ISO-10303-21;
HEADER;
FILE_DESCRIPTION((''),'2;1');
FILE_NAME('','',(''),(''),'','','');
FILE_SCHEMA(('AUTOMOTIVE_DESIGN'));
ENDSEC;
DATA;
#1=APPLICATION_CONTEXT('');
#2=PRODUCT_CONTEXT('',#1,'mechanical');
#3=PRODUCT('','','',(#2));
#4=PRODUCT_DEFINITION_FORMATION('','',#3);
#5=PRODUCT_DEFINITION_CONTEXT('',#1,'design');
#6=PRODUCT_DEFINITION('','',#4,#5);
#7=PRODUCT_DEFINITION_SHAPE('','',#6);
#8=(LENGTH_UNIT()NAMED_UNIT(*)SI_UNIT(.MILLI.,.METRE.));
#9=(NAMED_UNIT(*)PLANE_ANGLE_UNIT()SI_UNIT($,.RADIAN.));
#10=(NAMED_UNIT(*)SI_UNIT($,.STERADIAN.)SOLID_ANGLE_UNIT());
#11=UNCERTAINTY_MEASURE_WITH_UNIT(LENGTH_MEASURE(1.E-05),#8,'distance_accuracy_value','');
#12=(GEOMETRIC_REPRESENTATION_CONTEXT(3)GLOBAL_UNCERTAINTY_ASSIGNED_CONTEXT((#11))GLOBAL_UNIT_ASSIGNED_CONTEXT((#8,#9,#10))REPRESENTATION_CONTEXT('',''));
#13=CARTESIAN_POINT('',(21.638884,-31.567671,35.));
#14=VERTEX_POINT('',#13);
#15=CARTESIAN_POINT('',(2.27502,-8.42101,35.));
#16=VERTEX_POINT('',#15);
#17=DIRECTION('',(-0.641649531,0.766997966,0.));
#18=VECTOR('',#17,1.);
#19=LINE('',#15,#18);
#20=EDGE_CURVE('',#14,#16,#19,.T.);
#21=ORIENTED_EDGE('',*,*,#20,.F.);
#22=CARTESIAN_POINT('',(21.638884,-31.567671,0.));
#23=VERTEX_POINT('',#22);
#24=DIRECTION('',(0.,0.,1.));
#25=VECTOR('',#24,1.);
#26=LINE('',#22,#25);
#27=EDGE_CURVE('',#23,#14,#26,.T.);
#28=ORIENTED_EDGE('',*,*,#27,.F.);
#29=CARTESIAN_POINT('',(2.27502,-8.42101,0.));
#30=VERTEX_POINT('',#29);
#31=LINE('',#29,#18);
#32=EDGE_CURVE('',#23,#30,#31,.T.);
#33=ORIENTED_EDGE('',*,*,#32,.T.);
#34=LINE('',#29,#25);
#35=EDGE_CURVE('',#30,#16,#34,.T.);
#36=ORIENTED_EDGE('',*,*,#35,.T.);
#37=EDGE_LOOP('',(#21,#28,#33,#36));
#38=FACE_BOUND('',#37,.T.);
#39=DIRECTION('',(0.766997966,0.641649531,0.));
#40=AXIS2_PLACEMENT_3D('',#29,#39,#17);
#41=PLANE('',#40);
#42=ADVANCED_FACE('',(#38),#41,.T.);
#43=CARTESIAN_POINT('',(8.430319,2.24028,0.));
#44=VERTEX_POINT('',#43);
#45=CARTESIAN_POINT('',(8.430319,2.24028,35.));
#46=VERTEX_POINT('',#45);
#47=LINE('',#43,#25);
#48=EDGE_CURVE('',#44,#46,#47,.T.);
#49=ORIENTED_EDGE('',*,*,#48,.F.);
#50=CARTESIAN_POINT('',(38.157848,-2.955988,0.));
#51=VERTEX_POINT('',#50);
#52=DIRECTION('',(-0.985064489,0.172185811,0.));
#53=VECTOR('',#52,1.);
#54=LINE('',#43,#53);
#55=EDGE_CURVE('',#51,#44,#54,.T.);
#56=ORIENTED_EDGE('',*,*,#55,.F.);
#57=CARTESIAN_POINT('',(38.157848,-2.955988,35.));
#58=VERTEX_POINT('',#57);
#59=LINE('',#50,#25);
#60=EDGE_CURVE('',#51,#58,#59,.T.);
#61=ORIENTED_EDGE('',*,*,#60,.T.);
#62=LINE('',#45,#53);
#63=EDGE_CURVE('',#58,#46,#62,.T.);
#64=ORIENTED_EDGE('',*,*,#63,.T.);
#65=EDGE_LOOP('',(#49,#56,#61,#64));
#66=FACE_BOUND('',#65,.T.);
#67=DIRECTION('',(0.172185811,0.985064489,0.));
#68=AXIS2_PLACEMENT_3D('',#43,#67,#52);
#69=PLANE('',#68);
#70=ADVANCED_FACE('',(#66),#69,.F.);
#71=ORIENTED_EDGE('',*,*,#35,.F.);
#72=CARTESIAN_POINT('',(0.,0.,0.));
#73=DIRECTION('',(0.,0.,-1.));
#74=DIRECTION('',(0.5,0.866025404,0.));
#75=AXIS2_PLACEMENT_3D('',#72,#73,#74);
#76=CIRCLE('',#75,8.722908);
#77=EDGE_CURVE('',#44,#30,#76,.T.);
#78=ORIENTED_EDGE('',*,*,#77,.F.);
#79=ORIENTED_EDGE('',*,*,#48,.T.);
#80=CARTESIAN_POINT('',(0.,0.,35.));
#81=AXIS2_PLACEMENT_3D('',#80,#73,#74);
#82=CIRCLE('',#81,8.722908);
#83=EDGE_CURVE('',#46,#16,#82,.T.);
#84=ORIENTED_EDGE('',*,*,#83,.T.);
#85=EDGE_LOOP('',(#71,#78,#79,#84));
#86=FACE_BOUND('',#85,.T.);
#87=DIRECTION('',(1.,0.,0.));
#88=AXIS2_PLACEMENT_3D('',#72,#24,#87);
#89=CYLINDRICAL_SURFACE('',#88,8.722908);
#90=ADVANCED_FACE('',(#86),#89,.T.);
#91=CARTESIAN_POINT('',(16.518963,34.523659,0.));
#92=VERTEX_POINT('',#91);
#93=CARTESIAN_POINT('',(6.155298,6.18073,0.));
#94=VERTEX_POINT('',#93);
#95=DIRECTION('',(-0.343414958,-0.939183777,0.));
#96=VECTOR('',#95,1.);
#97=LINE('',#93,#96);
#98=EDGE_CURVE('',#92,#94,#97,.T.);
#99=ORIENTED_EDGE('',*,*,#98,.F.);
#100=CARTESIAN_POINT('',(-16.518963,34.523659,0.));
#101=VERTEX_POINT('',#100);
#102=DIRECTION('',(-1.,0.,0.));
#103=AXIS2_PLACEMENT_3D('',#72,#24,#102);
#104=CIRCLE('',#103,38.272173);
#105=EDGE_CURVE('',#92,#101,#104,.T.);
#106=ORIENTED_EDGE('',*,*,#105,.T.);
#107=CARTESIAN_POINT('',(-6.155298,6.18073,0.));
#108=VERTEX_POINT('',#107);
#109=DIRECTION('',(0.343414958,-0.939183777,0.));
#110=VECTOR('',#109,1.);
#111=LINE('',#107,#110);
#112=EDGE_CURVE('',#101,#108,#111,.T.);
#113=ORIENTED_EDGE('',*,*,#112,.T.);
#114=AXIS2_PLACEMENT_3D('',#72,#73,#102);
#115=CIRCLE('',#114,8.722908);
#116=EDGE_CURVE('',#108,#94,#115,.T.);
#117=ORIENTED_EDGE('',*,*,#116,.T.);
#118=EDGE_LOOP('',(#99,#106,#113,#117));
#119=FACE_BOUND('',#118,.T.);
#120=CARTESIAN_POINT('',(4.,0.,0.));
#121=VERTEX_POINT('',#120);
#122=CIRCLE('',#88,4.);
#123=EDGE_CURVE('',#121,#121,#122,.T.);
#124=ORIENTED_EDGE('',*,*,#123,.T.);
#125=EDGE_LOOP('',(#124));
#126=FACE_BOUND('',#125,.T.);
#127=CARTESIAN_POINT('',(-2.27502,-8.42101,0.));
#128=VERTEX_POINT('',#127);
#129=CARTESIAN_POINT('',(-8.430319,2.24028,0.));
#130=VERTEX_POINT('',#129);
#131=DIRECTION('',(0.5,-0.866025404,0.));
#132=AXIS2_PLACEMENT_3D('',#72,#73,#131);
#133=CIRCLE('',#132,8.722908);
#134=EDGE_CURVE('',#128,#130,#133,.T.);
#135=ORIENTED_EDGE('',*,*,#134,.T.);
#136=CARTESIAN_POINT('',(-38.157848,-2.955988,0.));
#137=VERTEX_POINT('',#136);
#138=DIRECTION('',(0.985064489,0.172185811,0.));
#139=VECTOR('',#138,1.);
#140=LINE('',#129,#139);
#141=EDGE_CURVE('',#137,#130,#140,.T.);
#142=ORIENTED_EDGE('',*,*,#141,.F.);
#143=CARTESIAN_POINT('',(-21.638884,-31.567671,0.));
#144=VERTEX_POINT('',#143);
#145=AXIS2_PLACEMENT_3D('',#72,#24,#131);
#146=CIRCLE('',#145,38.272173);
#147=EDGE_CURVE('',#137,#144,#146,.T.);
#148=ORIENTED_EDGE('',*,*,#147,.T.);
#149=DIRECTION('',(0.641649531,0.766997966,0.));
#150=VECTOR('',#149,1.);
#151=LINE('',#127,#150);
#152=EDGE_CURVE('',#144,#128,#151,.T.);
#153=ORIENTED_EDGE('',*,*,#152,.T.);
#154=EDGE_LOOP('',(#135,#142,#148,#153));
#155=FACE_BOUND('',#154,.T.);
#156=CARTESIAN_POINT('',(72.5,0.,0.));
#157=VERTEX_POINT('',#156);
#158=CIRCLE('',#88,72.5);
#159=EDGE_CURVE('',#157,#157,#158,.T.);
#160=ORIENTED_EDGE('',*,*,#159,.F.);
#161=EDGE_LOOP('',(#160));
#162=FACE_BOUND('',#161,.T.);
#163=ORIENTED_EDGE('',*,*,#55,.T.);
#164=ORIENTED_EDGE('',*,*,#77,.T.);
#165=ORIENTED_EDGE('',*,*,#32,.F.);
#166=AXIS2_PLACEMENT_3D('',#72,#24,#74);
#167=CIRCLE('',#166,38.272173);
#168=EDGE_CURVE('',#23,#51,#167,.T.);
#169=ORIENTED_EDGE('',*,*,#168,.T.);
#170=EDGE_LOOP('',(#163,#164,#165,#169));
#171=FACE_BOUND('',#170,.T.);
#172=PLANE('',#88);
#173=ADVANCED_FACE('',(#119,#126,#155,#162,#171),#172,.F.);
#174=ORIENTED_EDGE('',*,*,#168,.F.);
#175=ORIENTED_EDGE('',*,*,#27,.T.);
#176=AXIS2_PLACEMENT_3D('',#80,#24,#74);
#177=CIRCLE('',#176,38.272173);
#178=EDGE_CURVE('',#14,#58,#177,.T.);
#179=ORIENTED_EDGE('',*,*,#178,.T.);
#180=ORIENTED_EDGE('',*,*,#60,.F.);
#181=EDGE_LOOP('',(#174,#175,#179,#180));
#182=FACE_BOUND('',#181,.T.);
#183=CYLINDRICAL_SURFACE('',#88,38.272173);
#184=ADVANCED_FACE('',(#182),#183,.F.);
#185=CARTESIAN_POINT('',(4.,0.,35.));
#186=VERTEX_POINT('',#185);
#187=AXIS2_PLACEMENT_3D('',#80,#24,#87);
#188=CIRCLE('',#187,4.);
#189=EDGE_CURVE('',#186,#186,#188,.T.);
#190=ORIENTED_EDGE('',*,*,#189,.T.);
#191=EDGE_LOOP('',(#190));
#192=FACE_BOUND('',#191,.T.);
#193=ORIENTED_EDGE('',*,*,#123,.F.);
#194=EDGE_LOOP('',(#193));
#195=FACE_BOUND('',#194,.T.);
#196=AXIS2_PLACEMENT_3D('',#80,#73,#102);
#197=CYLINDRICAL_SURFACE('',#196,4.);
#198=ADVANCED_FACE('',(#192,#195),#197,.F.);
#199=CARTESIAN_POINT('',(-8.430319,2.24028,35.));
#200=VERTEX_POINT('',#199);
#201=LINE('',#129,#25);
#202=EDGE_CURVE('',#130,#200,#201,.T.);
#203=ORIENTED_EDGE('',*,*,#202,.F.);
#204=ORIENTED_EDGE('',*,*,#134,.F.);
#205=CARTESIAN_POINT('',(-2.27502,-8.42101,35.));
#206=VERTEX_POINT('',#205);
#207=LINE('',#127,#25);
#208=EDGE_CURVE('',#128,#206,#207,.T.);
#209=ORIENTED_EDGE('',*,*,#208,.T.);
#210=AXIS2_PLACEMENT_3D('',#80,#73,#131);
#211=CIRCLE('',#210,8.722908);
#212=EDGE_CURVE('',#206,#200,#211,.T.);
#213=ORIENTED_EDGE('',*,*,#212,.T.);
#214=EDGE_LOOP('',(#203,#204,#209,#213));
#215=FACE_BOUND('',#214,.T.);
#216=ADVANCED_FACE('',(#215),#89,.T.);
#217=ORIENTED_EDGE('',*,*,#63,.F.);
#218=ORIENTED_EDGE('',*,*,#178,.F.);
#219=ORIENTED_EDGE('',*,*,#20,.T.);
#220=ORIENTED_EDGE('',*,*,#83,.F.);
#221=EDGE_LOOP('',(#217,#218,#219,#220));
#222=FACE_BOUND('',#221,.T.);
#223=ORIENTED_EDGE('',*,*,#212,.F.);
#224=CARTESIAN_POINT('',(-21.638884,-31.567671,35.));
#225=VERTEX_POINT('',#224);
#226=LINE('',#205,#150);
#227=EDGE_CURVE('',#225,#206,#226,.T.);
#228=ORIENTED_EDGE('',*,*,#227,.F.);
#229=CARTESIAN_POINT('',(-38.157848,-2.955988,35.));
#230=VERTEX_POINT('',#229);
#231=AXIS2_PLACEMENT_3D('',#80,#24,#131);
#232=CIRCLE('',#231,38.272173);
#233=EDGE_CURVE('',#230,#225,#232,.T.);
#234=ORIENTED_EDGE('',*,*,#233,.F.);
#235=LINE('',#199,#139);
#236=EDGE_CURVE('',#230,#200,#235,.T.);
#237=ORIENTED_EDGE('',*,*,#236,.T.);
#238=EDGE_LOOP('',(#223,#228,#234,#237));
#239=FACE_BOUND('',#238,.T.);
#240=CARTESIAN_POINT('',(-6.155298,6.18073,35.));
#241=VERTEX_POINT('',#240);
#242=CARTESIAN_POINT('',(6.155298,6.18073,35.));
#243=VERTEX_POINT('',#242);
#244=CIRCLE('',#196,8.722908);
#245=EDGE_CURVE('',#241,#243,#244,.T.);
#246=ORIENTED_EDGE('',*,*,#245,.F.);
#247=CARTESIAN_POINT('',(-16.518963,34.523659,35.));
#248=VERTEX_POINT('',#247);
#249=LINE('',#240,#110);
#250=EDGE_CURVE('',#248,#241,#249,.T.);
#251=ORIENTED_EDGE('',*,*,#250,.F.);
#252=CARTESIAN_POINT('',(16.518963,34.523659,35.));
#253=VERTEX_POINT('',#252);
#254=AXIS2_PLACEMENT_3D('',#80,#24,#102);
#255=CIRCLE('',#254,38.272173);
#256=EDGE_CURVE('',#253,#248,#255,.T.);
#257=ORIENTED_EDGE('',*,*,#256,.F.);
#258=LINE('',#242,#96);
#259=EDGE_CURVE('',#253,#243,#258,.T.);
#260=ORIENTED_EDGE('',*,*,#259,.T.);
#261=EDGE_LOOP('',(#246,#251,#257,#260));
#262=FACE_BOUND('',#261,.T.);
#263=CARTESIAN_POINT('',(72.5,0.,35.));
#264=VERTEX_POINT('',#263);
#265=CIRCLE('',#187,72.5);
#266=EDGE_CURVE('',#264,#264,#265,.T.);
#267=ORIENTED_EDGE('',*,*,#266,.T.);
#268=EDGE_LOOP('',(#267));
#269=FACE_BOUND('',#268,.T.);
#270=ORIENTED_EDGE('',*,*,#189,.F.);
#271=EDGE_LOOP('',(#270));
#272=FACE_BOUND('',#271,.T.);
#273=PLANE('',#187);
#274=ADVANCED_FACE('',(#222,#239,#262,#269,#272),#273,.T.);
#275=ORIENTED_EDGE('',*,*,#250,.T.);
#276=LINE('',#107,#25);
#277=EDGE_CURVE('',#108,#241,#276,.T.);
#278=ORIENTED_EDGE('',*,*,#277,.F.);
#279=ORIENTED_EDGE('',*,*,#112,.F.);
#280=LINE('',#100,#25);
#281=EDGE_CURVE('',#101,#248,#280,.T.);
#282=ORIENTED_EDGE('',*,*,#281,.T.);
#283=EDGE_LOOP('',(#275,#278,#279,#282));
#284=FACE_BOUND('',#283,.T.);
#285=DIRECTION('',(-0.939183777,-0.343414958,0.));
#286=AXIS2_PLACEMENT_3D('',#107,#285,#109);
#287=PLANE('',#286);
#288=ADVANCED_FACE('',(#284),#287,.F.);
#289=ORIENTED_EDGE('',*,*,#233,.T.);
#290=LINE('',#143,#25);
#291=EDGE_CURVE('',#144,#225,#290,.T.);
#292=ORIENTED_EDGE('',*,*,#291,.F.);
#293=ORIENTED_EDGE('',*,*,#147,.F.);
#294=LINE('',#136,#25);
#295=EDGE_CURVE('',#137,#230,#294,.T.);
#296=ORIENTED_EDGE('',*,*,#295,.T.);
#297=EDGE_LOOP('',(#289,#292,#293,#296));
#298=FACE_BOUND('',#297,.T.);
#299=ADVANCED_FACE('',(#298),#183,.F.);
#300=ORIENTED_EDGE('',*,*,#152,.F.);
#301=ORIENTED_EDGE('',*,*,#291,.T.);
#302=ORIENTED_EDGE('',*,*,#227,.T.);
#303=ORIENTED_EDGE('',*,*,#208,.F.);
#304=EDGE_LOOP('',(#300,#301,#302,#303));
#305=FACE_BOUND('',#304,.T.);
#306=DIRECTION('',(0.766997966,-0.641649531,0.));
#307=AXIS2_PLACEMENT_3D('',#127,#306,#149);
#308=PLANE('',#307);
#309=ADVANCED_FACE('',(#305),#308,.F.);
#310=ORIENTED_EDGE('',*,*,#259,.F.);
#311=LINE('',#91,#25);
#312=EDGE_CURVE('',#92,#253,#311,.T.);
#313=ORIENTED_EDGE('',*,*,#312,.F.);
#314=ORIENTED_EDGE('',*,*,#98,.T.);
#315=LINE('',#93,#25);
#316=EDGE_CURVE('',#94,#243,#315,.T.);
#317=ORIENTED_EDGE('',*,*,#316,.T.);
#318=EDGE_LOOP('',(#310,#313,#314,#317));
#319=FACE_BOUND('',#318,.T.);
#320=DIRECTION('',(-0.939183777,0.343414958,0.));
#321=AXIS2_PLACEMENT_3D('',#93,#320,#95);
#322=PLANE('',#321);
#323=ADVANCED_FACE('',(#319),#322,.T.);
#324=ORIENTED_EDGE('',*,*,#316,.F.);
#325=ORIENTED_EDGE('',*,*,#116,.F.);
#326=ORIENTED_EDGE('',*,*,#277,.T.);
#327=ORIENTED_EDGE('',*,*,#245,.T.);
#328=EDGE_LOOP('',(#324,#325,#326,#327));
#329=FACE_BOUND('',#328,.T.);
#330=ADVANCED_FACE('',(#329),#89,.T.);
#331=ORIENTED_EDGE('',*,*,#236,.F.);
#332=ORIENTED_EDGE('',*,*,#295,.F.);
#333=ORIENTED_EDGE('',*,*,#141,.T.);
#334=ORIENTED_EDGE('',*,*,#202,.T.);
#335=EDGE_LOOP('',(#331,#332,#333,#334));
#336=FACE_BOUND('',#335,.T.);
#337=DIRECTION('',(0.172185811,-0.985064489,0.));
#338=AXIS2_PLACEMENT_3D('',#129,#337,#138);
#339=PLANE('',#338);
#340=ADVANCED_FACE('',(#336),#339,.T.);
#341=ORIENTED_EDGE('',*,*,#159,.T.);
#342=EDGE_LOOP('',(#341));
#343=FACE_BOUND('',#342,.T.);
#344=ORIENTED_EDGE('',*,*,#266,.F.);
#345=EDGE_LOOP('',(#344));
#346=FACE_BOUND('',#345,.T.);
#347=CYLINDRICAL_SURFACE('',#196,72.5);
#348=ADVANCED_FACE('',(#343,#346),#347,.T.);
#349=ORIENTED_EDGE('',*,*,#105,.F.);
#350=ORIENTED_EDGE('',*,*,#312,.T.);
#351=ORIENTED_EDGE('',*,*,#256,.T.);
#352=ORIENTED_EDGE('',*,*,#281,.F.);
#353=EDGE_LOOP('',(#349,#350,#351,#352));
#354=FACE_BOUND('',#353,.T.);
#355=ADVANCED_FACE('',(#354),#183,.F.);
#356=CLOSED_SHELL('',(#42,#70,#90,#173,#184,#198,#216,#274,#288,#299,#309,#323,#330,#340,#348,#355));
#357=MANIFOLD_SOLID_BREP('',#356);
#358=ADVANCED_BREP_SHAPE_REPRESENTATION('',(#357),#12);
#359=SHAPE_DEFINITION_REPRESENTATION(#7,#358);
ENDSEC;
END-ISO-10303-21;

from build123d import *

# Parameters (mm, degrees)
SKETCH1_R            = 72.5
SKETCH1_R_2          = 4
BOSS_EXTRUDE1_DEPTH  = 35
CUT_EXTRUDE1_DEPTH   = 35
CIRPATTERN6_COUNT    = 3
MIRROR2_COPY_1_DEPTH = 35
MIRROR2_COPY_2_DEPTH = 35


with BuildPart() as part:
    # Sketch1 → Boss-Extrude1 (new body)
    with BuildSketch(Plane.XY):
        Circle(SKETCH1_R)
        Circle(SKETCH1_R_2, mode=Mode.SUBTRACT)
    extrude(amount=BOSS_EXTRUDE1_DEPTH)

    # Sketch3 → Cut-Extrude1 (cut)
    with BuildSketch(Plane.XY.offset(35)):
        with BuildLine():
            Line((0, 38.272172541), (0, 8.722907964))
            ThreePointArc((0, 8.722907964), (-3.329803479, 8.062352767), (-6.155298303, 6.180730228))
            Line((-6.155298303, 6.180730228), (-16.518963046, 34.523659292))
            ThreePointArc((-16.518963046, 34.523659292), (-8.469467098, 37.323281181), (0, 38.272172541))
        make_face()
    cut_extrude1 = extrude(amount=-CUT_EXTRUDE1_DEPTH, mode=Mode.SUBTRACT)

    # Mirror1: Cut-Extrude1 across plane
    add(cut_extrude1.mirror(Plane(origin=(0, 38.272172541, 0), x_dir=(0, 0, 1), z_dir=(1, 0, 0))), mode=Mode.SUBTRACT)

    # CirPattern6: Cut-Extrude1 ×3 about axis
    cirpattern6_axis = Axis((0, 0, 0), (0, 0, 1))
    for i in range(1, CIRPATTERN6_COUNT):
        add(cut_extrude1.rotate(cirpattern6_axis, i * 360 / CIRPATTERN6_COUNT), mode=Mode.SUBTRACT)

    # Mirror2: Cut-Extrude1 across plane
    add(cut_extrude1.mirror(Plane(origin=(33.144673679, -19.136086271, 0), x_dir=(0, 0, 1), z_dir=(-0.5000000000000041, -0.8660254037844364, 0))), mode=Mode.SUBTRACT)

    # Mirror2 copy 1 sketch → Mirror2 copy 1 (cut)
    with BuildSketch(Plane(origin=(0, 0, 35), x_dir=(-1, 0, 0), z_dir=(0, 0, 1))):
        with BuildLine():
            Line((0, -38.272172541), (0, -8.722907964))
            ThreePointArc((0, -8.722907964), (-3.329803479, -8.062352767), (-6.155298303, -6.180730228))
            Line((-6.155298303, -6.180730228), (-16.518963046, -34.523659292))
            ThreePointArc((-16.518963046, -34.523659292), (-8.469467098, -37.323281181), (0, -38.272172541))
        make_face()
    extrude(amount=-MIRROR2_COPY_1_DEPTH, mode=Mode.SUBTRACT)

    # Mirror2 copy 2 sketch → Mirror2 copy 2 (cut)
    with BuildSketch(Plane(origin=(0, 0, 35), x_dir=(0.5000000000000079, 0.8660254037844346, 0), z_dir=(0, 0, 1))):
        with BuildLine():
            Line((0, -38.272172541), (0, -8.722907964))
            ThreePointArc((0, -8.722907964), (-3.329803479, -8.062352767), (-6.155298303, -6.180730228))
            Line((-6.155298303, -6.180730228), (-16.518963046, -34.523659292))
            ThreePointArc((-16.518963046, -34.523659292), (-8.469467098, -37.323281181), (0, -38.272172541))
        make_face()
    extrude(amount=-MIRROR2_COPY_2_DEPTH, mode=Mode.SUBTRACT)


solid = part.part
